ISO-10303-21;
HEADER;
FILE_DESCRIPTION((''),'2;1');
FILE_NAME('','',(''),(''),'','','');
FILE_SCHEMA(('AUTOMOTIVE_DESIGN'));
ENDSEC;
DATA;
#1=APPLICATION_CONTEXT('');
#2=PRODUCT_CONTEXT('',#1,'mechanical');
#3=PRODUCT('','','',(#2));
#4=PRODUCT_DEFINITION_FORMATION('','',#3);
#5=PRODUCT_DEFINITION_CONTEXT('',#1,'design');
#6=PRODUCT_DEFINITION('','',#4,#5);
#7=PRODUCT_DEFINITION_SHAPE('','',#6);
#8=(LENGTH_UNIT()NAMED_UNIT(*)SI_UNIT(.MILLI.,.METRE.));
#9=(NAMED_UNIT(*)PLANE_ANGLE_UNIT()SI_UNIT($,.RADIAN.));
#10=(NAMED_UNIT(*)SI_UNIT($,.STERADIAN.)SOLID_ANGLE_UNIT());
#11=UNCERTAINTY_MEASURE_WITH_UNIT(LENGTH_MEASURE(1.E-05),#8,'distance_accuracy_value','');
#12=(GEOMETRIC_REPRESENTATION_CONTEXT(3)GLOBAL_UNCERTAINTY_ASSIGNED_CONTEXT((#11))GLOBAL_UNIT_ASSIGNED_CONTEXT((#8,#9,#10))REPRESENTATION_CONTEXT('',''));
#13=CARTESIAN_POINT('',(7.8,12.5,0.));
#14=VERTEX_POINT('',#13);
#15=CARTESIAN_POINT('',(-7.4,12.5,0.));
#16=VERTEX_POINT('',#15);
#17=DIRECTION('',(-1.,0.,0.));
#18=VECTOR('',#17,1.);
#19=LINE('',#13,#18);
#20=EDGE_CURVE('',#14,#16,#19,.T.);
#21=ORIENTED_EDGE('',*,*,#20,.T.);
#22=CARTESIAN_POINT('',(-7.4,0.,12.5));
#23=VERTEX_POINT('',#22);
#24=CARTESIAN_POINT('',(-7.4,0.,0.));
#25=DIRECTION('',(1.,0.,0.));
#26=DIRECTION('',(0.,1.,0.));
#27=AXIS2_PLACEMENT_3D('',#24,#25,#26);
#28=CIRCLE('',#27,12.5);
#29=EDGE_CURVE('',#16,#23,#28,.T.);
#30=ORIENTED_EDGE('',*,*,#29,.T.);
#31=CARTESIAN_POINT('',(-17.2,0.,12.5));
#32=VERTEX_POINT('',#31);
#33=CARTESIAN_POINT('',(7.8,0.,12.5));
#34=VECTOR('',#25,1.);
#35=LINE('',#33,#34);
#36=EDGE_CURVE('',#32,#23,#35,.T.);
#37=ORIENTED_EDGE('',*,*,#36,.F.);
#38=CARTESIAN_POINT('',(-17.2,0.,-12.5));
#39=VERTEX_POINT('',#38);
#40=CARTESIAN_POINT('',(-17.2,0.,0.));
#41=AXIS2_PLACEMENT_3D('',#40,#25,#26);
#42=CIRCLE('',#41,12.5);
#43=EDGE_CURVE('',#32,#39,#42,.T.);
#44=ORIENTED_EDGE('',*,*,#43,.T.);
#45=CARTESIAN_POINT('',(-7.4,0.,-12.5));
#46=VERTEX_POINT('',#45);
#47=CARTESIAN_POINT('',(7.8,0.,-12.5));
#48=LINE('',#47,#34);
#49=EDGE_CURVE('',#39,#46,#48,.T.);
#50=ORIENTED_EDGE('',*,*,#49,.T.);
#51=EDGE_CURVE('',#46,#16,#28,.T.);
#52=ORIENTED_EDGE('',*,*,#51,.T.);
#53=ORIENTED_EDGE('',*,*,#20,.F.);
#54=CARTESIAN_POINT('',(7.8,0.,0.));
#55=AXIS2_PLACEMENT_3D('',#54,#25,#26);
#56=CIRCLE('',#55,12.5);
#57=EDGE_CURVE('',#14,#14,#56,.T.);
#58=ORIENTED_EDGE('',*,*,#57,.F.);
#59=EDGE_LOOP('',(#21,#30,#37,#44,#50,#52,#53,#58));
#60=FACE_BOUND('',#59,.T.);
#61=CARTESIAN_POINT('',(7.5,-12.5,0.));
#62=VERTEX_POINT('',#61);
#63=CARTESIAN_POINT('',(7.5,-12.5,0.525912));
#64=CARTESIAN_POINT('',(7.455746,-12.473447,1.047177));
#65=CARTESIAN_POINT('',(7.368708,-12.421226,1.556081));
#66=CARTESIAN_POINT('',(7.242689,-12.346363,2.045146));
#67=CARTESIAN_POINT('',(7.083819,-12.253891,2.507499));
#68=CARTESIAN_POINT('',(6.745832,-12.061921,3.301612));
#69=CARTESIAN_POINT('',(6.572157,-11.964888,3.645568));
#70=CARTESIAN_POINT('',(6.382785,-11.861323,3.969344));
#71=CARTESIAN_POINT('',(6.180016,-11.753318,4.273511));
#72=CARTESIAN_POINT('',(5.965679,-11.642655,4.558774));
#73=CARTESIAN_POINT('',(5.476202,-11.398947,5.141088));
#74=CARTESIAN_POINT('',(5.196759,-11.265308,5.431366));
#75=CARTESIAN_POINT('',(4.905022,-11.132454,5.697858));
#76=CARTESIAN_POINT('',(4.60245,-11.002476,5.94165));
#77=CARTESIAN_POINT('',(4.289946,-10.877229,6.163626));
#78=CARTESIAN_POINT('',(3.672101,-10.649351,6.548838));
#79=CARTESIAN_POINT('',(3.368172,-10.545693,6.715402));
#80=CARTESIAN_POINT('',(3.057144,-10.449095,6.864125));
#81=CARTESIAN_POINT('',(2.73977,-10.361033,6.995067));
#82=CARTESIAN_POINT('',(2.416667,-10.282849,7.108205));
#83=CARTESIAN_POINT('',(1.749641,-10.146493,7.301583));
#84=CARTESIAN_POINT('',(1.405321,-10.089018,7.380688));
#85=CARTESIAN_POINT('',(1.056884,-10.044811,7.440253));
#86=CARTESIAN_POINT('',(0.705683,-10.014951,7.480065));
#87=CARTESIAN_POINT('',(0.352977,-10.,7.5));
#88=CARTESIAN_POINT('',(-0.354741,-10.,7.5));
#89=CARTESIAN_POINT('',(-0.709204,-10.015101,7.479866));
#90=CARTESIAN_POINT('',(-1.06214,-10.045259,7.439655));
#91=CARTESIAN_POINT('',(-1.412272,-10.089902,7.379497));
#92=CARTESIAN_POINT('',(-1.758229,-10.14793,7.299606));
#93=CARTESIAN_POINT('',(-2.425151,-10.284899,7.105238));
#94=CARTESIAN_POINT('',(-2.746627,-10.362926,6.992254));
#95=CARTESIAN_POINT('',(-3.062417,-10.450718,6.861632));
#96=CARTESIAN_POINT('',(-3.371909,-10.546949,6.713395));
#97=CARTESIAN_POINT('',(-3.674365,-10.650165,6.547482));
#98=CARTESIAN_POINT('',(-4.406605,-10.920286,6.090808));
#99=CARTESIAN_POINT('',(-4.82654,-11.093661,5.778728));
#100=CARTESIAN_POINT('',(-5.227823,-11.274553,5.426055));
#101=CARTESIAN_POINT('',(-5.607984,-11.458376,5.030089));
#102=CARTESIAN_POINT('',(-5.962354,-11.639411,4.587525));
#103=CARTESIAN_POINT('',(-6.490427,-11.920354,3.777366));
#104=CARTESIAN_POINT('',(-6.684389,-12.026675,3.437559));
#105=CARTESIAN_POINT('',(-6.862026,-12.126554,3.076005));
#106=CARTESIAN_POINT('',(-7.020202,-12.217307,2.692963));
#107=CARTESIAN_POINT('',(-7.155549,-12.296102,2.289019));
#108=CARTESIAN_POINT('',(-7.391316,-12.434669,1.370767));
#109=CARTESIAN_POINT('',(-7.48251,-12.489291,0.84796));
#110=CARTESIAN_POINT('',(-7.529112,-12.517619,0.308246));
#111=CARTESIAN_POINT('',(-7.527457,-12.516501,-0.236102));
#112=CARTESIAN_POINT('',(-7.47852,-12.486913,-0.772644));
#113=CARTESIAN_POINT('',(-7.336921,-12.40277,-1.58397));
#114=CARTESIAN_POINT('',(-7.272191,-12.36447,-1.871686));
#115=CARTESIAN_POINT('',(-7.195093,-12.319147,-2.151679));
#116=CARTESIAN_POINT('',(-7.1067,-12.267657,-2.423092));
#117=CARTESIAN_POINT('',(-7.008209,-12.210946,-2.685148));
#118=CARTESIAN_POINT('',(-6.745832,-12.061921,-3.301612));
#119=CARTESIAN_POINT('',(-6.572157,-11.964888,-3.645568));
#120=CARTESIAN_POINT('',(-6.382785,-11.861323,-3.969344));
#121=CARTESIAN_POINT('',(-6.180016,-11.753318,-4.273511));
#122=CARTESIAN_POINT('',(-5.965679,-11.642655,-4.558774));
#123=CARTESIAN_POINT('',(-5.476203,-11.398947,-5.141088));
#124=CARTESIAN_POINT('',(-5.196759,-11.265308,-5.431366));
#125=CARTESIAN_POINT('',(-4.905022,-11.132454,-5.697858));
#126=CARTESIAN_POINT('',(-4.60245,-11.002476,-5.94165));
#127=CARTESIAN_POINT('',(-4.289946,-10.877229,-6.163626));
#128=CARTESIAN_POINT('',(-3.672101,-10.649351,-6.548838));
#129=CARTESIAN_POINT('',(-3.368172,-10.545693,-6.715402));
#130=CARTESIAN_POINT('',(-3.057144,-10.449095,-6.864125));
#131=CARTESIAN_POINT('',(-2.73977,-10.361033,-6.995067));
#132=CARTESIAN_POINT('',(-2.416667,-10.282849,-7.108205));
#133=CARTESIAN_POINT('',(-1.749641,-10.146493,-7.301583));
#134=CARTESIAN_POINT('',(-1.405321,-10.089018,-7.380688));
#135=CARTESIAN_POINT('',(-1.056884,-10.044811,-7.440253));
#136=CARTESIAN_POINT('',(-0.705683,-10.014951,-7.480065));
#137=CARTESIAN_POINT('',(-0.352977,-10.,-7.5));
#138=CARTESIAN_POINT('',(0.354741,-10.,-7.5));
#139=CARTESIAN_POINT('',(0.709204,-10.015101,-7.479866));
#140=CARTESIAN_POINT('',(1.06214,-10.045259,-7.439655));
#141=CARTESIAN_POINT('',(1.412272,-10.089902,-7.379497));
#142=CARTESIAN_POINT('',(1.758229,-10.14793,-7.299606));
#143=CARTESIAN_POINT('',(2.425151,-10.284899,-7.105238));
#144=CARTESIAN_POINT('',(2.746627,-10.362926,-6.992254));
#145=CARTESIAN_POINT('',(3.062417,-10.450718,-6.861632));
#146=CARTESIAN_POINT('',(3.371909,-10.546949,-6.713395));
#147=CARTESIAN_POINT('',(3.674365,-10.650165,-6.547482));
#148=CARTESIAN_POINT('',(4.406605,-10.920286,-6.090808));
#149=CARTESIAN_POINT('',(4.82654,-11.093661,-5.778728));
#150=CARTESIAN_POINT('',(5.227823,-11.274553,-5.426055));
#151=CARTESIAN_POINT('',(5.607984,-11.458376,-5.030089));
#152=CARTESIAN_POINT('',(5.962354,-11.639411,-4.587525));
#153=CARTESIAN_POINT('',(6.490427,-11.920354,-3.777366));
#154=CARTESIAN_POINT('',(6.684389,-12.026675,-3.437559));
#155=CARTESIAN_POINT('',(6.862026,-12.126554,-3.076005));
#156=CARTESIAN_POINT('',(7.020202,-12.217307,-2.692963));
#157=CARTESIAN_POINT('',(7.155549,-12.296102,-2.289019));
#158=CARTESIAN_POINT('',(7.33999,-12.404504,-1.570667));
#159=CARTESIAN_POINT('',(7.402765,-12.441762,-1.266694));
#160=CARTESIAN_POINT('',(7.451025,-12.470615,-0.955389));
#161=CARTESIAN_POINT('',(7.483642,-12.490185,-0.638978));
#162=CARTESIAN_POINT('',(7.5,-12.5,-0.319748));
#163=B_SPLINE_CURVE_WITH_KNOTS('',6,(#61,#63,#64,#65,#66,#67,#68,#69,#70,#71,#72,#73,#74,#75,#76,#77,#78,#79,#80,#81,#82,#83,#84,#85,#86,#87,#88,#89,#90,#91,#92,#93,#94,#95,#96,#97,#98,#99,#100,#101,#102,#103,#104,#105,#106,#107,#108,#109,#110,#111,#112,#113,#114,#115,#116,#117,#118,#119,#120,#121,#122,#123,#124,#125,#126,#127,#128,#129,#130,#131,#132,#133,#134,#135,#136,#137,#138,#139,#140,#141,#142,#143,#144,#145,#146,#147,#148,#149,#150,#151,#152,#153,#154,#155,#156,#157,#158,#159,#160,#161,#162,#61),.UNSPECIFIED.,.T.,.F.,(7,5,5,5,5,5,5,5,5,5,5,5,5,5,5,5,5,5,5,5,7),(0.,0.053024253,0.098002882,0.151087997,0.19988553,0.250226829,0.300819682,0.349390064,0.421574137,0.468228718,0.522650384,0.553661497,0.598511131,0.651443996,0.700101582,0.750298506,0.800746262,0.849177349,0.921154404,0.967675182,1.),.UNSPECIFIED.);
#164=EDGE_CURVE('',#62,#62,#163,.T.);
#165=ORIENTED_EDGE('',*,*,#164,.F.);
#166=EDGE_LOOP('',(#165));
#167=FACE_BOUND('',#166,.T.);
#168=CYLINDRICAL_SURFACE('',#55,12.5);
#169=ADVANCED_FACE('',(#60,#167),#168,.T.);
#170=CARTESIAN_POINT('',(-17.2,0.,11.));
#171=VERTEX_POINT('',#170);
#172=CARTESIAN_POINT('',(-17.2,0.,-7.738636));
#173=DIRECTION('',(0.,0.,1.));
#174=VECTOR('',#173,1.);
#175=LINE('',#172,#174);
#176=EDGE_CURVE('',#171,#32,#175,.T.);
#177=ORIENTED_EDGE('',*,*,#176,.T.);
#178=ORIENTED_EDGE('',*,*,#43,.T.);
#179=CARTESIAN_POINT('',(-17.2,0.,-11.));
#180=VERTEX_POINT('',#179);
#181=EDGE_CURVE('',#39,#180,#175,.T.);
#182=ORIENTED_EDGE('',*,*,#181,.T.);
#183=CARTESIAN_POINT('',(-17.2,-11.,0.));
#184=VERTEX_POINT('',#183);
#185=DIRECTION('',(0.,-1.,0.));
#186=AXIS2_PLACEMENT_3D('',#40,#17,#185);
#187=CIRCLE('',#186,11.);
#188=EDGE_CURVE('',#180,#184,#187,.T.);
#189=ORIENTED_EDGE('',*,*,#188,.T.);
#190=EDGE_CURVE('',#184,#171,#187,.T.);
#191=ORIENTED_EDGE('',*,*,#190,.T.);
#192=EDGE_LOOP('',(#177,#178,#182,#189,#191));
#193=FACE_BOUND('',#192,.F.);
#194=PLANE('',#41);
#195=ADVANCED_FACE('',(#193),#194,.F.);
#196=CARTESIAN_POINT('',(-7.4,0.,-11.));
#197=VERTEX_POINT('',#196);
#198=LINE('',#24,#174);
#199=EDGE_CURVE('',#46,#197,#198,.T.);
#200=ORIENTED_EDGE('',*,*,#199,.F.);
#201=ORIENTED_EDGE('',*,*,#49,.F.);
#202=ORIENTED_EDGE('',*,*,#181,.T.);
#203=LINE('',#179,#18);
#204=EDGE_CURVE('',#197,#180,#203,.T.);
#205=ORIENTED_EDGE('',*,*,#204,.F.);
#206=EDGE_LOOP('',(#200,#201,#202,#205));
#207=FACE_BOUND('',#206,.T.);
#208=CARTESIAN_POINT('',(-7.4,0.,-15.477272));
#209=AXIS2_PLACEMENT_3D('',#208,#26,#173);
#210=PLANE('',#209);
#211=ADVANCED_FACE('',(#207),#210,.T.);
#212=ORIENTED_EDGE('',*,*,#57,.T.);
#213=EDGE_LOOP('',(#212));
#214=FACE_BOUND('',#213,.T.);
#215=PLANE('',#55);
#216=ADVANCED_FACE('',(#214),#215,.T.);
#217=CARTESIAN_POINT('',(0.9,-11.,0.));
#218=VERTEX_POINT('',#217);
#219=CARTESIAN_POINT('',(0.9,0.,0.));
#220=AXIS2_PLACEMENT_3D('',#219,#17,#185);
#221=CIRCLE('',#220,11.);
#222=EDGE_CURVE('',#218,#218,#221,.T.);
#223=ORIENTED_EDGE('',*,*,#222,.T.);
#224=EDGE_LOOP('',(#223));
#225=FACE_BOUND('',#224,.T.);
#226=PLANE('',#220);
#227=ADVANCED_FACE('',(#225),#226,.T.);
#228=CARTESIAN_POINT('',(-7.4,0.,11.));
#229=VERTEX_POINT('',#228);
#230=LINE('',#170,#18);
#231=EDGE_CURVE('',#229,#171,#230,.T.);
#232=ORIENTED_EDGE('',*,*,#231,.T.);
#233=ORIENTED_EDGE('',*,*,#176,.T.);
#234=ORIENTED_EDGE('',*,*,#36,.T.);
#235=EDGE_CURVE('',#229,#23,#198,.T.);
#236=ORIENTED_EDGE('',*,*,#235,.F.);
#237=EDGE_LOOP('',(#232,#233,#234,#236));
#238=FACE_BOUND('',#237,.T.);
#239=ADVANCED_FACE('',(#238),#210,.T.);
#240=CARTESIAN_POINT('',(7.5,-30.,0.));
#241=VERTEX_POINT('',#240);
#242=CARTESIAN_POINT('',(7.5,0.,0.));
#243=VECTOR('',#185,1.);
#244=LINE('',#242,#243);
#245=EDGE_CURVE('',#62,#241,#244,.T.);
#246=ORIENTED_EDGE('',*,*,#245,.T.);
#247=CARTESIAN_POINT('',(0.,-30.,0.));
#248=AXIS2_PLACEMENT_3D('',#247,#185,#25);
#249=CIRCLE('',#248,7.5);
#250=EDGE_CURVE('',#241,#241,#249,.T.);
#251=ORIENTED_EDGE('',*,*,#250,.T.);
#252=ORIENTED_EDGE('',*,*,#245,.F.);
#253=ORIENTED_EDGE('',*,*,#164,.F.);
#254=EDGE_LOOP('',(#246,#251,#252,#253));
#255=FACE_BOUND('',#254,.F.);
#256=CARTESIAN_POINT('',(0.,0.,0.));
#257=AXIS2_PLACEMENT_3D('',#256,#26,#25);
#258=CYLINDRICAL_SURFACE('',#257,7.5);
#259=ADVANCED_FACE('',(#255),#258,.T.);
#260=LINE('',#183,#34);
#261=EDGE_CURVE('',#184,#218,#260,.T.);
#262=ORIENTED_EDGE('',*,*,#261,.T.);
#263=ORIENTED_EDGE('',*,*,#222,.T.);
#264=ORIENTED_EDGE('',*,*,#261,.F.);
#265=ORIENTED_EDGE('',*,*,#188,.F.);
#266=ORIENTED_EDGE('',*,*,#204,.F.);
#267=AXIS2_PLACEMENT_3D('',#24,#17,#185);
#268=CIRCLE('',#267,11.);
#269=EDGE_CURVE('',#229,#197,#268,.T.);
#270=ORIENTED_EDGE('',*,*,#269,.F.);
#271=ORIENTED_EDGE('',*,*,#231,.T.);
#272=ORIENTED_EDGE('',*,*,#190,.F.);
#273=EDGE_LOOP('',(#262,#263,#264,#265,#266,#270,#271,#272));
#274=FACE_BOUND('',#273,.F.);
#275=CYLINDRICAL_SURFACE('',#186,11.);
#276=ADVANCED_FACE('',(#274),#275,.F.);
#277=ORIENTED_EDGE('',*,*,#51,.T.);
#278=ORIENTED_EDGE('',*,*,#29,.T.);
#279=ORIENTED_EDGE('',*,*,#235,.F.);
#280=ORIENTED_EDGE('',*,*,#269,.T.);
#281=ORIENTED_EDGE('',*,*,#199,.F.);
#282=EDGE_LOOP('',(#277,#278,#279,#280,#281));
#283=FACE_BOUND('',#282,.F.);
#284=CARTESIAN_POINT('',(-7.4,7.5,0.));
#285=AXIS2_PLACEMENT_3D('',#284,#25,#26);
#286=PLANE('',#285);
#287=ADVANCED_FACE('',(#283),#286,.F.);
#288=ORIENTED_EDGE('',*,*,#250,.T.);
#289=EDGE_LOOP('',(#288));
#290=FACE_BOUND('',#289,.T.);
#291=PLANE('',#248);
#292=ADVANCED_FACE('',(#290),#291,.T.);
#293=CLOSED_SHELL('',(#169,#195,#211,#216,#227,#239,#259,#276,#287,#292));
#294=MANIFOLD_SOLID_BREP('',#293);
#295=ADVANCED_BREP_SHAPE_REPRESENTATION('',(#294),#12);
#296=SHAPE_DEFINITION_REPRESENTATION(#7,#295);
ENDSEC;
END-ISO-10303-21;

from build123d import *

# Parameters (mm, degrees)
F1_R     = 7.5
F2_DEPTH = 30
F3_R     = 12.5
F4_DEPTH = 25
F5_R     = 11
F6_DEPTH = 18.1
F8_W     = 15
F8_H     = 30.954544
F9_DEPTH = 25


with BuildPart() as f2:
    # F1 (on Front) → F2 (new body)
    with BuildSketch(Plane.XZ):
        Circle(F1_R)
    extrude(amount=F2_DEPTH)

    # F3 (on offset) → F4 (join)
    with BuildSketch(Plane.YZ.offset(7.8)):
        Circle(F3_R)
    extrude(amount=-F4_DEPTH)

    # F5 (on face) → F6 (cut)
    with BuildSketch(Plane(origin=(-17.2, 0, 0), x_dir=(0, -1, 0), z_dir=(-1, 0, 0))):
        Circle(F5_R)
    extrude(amount=-F6_DEPTH, mode=Mode.SUBTRACT)

    # F8 (on offset) → F9 (cut)
    with BuildSketch(Plane.YZ.offset(-7.4)):
        with Locations((7.5, 0)):
            Rectangle(F8_W, F8_H)
    extrude(amount=-F9_DEPTH, mode=Mode.SUBTRACT)


solid = f2.part
